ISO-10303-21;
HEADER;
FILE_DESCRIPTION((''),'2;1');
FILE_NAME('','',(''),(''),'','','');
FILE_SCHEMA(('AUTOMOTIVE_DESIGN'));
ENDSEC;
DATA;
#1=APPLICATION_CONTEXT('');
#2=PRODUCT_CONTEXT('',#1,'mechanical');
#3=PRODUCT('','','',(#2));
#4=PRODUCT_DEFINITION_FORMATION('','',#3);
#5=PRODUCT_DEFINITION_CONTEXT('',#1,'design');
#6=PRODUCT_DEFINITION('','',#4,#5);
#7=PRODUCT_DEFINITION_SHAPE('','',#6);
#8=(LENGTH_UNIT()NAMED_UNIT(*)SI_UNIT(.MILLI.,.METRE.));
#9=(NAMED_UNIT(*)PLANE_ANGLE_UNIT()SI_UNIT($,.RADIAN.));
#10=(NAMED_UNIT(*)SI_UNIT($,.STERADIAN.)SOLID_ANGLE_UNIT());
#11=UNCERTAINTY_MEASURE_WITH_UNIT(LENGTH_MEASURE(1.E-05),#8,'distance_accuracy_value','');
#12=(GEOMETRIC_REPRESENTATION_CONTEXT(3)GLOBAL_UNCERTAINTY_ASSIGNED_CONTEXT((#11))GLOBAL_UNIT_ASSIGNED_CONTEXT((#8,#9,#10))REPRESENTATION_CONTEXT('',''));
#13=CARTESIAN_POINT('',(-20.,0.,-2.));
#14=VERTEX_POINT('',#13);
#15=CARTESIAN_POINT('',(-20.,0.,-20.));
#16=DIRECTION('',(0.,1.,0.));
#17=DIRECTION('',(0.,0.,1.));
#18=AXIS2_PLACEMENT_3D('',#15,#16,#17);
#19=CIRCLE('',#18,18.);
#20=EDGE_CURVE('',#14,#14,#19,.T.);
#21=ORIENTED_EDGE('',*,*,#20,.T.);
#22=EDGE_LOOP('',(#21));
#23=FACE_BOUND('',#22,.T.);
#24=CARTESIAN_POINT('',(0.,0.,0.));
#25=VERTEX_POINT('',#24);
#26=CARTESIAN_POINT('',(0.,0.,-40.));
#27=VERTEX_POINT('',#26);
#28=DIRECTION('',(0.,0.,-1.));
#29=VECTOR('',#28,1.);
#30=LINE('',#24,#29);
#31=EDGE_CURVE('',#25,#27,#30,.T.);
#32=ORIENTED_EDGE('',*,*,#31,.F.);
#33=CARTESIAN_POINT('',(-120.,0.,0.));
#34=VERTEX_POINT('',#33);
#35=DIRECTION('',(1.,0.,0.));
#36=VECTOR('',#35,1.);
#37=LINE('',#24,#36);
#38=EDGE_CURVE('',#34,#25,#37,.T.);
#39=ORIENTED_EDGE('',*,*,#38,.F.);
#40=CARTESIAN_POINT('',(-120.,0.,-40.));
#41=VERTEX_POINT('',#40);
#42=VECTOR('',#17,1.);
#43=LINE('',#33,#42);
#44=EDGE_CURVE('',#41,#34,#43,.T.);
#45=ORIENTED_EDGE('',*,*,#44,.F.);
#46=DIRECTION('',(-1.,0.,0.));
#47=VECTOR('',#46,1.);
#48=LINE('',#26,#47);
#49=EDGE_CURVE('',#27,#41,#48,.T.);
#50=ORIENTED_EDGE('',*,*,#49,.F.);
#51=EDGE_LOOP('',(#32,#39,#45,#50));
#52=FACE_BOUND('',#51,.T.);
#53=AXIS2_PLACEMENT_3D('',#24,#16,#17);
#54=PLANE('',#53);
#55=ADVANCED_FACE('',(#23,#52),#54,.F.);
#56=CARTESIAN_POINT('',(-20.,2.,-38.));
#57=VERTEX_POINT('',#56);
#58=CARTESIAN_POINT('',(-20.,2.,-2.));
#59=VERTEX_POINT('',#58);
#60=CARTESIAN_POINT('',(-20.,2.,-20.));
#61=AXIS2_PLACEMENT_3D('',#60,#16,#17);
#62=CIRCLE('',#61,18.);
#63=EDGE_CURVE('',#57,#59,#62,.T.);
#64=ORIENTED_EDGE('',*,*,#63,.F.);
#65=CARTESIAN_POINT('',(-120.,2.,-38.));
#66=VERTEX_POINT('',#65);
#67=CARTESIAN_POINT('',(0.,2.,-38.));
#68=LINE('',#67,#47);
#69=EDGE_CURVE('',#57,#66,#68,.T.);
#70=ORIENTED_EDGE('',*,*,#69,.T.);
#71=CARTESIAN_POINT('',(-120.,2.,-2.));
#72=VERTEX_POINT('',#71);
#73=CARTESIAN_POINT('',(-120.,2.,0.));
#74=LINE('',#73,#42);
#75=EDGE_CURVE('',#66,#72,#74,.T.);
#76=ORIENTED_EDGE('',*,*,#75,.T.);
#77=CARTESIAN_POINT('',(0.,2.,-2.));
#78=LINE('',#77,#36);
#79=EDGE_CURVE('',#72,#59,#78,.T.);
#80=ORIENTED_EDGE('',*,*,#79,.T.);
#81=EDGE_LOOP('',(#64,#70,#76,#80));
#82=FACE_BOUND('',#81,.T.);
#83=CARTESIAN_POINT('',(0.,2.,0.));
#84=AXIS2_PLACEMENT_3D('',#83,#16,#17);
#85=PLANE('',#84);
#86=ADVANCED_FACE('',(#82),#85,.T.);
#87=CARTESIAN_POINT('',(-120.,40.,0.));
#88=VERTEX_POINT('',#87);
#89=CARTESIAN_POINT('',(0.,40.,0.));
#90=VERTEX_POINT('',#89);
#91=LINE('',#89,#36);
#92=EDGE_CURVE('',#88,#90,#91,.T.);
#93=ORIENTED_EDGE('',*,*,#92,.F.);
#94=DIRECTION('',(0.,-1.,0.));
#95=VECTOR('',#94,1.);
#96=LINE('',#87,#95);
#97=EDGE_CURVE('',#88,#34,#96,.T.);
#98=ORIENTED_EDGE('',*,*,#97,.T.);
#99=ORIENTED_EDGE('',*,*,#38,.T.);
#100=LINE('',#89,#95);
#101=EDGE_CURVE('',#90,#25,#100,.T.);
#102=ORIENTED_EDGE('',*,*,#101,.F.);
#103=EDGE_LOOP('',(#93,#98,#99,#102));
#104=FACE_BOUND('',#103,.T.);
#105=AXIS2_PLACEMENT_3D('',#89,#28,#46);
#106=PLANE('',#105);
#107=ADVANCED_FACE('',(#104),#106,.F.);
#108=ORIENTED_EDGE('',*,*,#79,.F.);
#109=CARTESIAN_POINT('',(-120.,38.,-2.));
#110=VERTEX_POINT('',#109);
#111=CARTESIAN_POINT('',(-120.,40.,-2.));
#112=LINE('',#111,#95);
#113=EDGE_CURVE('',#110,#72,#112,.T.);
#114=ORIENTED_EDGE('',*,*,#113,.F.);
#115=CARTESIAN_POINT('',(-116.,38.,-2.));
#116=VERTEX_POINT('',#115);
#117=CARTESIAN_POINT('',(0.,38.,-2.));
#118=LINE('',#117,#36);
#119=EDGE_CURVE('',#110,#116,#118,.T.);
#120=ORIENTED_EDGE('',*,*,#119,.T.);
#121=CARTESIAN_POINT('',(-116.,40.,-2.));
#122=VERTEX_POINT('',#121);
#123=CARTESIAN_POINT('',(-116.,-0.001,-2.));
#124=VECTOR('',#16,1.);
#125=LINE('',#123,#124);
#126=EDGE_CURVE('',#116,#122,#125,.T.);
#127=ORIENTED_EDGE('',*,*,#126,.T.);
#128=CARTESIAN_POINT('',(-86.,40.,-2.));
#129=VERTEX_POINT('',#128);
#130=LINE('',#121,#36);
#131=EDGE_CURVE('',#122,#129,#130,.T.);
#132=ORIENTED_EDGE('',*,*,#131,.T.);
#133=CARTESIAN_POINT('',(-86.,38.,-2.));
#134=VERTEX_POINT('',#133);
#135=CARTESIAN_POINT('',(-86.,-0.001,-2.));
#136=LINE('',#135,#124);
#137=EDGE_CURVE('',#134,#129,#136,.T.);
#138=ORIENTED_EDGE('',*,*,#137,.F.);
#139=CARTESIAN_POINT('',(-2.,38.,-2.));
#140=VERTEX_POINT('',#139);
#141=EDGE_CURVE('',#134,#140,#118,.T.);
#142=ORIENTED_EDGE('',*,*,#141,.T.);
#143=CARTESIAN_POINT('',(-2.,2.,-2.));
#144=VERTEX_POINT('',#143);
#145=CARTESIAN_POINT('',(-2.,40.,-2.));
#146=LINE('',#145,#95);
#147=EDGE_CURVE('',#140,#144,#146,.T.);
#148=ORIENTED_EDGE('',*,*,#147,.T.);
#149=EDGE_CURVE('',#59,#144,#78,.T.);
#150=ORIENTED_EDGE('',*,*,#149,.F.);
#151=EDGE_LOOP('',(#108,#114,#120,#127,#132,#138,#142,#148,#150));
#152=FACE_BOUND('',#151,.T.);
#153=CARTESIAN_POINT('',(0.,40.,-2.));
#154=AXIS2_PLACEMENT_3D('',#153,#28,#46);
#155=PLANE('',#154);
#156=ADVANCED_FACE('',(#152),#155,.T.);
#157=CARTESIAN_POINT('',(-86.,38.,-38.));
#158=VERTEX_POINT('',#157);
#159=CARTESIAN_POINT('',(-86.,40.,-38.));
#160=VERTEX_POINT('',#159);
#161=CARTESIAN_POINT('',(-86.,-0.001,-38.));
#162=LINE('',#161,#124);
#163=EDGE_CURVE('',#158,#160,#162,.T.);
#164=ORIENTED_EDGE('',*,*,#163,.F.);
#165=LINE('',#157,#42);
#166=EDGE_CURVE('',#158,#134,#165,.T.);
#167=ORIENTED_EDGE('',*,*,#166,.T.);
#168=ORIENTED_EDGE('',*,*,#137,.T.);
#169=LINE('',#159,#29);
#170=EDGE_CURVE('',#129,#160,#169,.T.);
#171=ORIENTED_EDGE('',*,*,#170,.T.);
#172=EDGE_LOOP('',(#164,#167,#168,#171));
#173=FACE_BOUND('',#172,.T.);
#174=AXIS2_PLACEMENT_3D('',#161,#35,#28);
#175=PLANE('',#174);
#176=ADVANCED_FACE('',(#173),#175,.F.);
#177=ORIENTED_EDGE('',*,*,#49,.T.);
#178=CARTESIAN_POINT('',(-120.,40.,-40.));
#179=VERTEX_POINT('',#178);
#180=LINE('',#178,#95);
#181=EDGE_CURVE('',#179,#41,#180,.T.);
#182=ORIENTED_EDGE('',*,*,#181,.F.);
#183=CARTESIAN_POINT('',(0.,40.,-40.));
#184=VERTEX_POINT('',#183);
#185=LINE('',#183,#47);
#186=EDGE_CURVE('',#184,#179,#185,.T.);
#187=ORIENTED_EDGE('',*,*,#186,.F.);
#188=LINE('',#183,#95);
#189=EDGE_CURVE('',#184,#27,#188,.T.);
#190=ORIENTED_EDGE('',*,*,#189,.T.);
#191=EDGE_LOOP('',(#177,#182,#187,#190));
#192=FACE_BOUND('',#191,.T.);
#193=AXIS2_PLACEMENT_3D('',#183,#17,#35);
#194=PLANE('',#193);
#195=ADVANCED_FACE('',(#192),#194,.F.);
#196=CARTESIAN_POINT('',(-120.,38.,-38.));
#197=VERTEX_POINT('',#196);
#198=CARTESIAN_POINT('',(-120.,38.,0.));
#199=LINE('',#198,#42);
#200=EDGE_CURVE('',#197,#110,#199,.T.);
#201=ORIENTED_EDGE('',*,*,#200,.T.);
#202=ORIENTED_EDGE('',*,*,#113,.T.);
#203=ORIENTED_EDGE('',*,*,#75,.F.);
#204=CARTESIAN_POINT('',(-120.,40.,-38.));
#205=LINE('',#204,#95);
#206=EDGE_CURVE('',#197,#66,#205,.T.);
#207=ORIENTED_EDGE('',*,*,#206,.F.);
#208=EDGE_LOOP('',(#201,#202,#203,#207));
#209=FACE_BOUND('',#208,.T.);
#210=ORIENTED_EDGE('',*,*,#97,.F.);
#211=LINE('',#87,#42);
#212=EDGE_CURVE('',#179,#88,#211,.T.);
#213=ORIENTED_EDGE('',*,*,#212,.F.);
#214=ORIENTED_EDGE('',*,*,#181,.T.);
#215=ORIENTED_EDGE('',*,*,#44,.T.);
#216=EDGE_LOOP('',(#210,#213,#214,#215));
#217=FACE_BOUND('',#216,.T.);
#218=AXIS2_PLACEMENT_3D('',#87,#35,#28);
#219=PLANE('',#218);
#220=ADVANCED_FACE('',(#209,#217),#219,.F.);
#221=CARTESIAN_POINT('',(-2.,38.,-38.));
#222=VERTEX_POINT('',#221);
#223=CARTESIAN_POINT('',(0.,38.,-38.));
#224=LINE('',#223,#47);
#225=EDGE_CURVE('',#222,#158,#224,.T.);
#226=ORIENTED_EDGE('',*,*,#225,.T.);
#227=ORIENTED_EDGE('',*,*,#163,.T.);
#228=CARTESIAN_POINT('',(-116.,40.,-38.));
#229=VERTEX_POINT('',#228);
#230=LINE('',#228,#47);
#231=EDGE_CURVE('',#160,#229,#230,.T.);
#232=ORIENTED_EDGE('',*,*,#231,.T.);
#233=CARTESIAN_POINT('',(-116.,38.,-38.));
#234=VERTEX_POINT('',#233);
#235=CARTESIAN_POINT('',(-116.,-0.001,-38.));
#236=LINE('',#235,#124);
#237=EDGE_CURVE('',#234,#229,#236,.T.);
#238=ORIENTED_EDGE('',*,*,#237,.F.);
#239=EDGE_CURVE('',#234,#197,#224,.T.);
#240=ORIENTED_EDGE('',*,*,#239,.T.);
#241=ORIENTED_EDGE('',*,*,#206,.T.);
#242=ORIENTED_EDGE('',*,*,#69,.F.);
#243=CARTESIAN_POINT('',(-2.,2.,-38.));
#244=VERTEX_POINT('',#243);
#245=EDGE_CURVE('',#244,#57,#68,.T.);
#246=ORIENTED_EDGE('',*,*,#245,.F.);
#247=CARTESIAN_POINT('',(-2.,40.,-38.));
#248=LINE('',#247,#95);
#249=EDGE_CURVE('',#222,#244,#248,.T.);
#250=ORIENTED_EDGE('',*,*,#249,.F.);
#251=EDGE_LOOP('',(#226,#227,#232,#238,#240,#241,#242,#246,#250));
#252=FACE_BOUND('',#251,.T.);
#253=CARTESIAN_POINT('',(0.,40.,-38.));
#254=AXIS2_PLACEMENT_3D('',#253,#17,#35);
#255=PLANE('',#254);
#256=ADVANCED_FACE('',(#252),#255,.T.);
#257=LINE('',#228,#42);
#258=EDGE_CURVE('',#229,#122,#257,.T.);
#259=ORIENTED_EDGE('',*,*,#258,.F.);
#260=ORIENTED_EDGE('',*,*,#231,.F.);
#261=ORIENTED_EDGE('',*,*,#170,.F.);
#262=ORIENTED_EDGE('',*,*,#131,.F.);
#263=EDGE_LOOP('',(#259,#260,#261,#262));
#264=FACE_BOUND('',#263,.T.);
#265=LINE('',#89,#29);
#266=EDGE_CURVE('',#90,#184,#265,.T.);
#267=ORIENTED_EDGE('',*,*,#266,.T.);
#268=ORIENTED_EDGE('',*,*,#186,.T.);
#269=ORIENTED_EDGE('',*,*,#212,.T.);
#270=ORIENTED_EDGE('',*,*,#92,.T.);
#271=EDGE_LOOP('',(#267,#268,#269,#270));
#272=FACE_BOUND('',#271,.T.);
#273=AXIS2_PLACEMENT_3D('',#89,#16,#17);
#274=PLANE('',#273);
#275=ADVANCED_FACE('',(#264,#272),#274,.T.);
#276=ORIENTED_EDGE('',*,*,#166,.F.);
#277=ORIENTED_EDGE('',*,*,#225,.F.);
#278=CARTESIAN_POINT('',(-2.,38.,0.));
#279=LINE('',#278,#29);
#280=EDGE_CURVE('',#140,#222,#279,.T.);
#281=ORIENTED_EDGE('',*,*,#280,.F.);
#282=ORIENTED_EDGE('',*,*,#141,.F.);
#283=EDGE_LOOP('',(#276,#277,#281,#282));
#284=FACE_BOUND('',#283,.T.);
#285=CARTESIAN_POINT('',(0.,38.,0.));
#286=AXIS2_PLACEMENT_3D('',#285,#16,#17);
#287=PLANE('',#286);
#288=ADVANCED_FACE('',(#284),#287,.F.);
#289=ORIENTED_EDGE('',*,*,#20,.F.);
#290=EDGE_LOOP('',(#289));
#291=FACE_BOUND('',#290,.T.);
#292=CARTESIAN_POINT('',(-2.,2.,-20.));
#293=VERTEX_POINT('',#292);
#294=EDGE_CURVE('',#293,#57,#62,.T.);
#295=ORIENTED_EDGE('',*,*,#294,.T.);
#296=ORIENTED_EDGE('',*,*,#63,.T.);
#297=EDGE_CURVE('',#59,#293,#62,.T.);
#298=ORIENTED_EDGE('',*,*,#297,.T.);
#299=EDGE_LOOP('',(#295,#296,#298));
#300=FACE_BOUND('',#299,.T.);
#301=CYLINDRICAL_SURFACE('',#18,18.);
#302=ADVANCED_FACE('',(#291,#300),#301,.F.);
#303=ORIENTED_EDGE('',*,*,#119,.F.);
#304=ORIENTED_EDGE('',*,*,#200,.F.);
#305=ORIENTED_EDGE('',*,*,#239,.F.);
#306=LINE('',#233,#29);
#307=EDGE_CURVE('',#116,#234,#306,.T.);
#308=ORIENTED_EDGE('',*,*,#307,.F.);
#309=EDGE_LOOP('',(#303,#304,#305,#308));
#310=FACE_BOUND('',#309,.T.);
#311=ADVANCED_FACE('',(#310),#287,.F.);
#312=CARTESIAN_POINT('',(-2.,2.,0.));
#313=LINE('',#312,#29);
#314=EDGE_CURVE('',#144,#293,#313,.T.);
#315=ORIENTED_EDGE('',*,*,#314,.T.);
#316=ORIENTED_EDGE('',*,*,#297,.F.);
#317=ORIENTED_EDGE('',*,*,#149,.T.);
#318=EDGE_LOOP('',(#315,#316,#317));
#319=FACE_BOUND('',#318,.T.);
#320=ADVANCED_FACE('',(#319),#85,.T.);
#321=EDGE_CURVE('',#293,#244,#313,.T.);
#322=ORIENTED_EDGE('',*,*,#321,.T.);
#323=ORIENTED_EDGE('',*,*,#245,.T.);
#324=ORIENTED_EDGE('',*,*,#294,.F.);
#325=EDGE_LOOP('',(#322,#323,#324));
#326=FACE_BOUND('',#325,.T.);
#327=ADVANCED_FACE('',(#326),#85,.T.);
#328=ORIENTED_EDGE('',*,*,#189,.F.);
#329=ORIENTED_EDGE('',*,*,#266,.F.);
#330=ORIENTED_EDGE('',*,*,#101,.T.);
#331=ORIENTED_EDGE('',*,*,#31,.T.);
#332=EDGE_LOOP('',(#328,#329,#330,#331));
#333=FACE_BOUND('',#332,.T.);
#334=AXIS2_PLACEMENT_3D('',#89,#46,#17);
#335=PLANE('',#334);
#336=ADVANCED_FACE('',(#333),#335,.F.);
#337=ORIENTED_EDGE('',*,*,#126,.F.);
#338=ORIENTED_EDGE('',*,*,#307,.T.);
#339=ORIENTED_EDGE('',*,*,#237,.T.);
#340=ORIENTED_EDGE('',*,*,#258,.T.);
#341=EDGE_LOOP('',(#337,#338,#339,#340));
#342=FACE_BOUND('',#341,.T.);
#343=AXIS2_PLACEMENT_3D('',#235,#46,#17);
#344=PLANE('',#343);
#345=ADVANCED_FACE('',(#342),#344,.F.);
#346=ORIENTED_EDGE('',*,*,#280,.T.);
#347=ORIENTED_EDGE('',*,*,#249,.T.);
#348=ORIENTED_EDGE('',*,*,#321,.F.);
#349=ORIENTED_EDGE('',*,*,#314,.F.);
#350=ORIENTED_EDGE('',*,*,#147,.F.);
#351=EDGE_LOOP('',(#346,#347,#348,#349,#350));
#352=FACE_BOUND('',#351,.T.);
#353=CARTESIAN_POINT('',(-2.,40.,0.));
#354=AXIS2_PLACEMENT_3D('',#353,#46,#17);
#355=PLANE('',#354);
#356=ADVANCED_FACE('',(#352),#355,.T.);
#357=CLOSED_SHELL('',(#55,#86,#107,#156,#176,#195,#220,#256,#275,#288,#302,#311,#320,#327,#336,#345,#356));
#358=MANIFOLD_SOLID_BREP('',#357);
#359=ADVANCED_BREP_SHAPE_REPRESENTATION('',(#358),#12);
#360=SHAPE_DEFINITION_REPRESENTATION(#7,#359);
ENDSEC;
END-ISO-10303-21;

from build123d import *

# Parameters (mm, degrees)
SKETCH1_W           = 120
SKETCH1_H           = 40
BOSS_EXTRUDE1_DEPTH = 40
SHELL1_T            = -2
SKETCH2_R           = 18
CUT_EXTRUDE1_DEPTH  = 3
CUT_EXTRUDE2_REACH  = 42
SKETCH3_W           = 30
SKETCH3_H           = 36


with BuildPart() as part:
    # Sketch1 → Boss-Extrude1 (new body)
    with BuildSketch(Plane(origin=(0, 0, 0), x_dir=(1, 0, 0), z_dir=(0, 1, 0))):
        with Locations((-60, 20)):
            Rectangle(SKETCH1_W, SKETCH1_H)
    extrude(amount=BOSS_EXTRUDE1_DEPTH)

    # Shell1
    shell1_openings = [part.faces().sort_by_distance(p)[0] for p in [
        (-120, 20, -20),
    ]]
    offset(amount=SHELL1_T, openings=shell1_openings, kind=Kind.INTERSECTION)

    # Sketch2 → Cut-Extrude1 (cut, through all)
    with BuildSketch(Plane(origin=(0, 2, 0), x_dir=(1, 0, 0), z_dir=(0, 1, 0))):
        with Locations((-20, 20)):
            Circle(SKETCH2_R)
    extrude(amount=-CUT_EXTRUDE1_DEPTH, mode=Mode.SUBTRACT)

    # Sketch3 → Cut-Extrude2 (cut, up to next)
    with BuildSketch(Plane(origin=(0, 40, 0), x_dir=(1, 0, 0), z_dir=(0, 1, 0)), mode=Mode.PRIVATE) as cut_extrude2_sk1:
        with Locations((-101, 20)):
            Rectangle(SKETCH3_W, SKETCH3_H)
    cut_extrude2_tool1 = extrude(cut_extrude2_sk1.sketch, amount=-CUT_EXTRUDE2_REACH, mode=Mode.PRIVATE) & part.part
    add(cut_extrude2_tool1.solids().sort_by_distance((-101, 40, -20))[0], mode=Mode.SUBTRACT)


solid = part.part
